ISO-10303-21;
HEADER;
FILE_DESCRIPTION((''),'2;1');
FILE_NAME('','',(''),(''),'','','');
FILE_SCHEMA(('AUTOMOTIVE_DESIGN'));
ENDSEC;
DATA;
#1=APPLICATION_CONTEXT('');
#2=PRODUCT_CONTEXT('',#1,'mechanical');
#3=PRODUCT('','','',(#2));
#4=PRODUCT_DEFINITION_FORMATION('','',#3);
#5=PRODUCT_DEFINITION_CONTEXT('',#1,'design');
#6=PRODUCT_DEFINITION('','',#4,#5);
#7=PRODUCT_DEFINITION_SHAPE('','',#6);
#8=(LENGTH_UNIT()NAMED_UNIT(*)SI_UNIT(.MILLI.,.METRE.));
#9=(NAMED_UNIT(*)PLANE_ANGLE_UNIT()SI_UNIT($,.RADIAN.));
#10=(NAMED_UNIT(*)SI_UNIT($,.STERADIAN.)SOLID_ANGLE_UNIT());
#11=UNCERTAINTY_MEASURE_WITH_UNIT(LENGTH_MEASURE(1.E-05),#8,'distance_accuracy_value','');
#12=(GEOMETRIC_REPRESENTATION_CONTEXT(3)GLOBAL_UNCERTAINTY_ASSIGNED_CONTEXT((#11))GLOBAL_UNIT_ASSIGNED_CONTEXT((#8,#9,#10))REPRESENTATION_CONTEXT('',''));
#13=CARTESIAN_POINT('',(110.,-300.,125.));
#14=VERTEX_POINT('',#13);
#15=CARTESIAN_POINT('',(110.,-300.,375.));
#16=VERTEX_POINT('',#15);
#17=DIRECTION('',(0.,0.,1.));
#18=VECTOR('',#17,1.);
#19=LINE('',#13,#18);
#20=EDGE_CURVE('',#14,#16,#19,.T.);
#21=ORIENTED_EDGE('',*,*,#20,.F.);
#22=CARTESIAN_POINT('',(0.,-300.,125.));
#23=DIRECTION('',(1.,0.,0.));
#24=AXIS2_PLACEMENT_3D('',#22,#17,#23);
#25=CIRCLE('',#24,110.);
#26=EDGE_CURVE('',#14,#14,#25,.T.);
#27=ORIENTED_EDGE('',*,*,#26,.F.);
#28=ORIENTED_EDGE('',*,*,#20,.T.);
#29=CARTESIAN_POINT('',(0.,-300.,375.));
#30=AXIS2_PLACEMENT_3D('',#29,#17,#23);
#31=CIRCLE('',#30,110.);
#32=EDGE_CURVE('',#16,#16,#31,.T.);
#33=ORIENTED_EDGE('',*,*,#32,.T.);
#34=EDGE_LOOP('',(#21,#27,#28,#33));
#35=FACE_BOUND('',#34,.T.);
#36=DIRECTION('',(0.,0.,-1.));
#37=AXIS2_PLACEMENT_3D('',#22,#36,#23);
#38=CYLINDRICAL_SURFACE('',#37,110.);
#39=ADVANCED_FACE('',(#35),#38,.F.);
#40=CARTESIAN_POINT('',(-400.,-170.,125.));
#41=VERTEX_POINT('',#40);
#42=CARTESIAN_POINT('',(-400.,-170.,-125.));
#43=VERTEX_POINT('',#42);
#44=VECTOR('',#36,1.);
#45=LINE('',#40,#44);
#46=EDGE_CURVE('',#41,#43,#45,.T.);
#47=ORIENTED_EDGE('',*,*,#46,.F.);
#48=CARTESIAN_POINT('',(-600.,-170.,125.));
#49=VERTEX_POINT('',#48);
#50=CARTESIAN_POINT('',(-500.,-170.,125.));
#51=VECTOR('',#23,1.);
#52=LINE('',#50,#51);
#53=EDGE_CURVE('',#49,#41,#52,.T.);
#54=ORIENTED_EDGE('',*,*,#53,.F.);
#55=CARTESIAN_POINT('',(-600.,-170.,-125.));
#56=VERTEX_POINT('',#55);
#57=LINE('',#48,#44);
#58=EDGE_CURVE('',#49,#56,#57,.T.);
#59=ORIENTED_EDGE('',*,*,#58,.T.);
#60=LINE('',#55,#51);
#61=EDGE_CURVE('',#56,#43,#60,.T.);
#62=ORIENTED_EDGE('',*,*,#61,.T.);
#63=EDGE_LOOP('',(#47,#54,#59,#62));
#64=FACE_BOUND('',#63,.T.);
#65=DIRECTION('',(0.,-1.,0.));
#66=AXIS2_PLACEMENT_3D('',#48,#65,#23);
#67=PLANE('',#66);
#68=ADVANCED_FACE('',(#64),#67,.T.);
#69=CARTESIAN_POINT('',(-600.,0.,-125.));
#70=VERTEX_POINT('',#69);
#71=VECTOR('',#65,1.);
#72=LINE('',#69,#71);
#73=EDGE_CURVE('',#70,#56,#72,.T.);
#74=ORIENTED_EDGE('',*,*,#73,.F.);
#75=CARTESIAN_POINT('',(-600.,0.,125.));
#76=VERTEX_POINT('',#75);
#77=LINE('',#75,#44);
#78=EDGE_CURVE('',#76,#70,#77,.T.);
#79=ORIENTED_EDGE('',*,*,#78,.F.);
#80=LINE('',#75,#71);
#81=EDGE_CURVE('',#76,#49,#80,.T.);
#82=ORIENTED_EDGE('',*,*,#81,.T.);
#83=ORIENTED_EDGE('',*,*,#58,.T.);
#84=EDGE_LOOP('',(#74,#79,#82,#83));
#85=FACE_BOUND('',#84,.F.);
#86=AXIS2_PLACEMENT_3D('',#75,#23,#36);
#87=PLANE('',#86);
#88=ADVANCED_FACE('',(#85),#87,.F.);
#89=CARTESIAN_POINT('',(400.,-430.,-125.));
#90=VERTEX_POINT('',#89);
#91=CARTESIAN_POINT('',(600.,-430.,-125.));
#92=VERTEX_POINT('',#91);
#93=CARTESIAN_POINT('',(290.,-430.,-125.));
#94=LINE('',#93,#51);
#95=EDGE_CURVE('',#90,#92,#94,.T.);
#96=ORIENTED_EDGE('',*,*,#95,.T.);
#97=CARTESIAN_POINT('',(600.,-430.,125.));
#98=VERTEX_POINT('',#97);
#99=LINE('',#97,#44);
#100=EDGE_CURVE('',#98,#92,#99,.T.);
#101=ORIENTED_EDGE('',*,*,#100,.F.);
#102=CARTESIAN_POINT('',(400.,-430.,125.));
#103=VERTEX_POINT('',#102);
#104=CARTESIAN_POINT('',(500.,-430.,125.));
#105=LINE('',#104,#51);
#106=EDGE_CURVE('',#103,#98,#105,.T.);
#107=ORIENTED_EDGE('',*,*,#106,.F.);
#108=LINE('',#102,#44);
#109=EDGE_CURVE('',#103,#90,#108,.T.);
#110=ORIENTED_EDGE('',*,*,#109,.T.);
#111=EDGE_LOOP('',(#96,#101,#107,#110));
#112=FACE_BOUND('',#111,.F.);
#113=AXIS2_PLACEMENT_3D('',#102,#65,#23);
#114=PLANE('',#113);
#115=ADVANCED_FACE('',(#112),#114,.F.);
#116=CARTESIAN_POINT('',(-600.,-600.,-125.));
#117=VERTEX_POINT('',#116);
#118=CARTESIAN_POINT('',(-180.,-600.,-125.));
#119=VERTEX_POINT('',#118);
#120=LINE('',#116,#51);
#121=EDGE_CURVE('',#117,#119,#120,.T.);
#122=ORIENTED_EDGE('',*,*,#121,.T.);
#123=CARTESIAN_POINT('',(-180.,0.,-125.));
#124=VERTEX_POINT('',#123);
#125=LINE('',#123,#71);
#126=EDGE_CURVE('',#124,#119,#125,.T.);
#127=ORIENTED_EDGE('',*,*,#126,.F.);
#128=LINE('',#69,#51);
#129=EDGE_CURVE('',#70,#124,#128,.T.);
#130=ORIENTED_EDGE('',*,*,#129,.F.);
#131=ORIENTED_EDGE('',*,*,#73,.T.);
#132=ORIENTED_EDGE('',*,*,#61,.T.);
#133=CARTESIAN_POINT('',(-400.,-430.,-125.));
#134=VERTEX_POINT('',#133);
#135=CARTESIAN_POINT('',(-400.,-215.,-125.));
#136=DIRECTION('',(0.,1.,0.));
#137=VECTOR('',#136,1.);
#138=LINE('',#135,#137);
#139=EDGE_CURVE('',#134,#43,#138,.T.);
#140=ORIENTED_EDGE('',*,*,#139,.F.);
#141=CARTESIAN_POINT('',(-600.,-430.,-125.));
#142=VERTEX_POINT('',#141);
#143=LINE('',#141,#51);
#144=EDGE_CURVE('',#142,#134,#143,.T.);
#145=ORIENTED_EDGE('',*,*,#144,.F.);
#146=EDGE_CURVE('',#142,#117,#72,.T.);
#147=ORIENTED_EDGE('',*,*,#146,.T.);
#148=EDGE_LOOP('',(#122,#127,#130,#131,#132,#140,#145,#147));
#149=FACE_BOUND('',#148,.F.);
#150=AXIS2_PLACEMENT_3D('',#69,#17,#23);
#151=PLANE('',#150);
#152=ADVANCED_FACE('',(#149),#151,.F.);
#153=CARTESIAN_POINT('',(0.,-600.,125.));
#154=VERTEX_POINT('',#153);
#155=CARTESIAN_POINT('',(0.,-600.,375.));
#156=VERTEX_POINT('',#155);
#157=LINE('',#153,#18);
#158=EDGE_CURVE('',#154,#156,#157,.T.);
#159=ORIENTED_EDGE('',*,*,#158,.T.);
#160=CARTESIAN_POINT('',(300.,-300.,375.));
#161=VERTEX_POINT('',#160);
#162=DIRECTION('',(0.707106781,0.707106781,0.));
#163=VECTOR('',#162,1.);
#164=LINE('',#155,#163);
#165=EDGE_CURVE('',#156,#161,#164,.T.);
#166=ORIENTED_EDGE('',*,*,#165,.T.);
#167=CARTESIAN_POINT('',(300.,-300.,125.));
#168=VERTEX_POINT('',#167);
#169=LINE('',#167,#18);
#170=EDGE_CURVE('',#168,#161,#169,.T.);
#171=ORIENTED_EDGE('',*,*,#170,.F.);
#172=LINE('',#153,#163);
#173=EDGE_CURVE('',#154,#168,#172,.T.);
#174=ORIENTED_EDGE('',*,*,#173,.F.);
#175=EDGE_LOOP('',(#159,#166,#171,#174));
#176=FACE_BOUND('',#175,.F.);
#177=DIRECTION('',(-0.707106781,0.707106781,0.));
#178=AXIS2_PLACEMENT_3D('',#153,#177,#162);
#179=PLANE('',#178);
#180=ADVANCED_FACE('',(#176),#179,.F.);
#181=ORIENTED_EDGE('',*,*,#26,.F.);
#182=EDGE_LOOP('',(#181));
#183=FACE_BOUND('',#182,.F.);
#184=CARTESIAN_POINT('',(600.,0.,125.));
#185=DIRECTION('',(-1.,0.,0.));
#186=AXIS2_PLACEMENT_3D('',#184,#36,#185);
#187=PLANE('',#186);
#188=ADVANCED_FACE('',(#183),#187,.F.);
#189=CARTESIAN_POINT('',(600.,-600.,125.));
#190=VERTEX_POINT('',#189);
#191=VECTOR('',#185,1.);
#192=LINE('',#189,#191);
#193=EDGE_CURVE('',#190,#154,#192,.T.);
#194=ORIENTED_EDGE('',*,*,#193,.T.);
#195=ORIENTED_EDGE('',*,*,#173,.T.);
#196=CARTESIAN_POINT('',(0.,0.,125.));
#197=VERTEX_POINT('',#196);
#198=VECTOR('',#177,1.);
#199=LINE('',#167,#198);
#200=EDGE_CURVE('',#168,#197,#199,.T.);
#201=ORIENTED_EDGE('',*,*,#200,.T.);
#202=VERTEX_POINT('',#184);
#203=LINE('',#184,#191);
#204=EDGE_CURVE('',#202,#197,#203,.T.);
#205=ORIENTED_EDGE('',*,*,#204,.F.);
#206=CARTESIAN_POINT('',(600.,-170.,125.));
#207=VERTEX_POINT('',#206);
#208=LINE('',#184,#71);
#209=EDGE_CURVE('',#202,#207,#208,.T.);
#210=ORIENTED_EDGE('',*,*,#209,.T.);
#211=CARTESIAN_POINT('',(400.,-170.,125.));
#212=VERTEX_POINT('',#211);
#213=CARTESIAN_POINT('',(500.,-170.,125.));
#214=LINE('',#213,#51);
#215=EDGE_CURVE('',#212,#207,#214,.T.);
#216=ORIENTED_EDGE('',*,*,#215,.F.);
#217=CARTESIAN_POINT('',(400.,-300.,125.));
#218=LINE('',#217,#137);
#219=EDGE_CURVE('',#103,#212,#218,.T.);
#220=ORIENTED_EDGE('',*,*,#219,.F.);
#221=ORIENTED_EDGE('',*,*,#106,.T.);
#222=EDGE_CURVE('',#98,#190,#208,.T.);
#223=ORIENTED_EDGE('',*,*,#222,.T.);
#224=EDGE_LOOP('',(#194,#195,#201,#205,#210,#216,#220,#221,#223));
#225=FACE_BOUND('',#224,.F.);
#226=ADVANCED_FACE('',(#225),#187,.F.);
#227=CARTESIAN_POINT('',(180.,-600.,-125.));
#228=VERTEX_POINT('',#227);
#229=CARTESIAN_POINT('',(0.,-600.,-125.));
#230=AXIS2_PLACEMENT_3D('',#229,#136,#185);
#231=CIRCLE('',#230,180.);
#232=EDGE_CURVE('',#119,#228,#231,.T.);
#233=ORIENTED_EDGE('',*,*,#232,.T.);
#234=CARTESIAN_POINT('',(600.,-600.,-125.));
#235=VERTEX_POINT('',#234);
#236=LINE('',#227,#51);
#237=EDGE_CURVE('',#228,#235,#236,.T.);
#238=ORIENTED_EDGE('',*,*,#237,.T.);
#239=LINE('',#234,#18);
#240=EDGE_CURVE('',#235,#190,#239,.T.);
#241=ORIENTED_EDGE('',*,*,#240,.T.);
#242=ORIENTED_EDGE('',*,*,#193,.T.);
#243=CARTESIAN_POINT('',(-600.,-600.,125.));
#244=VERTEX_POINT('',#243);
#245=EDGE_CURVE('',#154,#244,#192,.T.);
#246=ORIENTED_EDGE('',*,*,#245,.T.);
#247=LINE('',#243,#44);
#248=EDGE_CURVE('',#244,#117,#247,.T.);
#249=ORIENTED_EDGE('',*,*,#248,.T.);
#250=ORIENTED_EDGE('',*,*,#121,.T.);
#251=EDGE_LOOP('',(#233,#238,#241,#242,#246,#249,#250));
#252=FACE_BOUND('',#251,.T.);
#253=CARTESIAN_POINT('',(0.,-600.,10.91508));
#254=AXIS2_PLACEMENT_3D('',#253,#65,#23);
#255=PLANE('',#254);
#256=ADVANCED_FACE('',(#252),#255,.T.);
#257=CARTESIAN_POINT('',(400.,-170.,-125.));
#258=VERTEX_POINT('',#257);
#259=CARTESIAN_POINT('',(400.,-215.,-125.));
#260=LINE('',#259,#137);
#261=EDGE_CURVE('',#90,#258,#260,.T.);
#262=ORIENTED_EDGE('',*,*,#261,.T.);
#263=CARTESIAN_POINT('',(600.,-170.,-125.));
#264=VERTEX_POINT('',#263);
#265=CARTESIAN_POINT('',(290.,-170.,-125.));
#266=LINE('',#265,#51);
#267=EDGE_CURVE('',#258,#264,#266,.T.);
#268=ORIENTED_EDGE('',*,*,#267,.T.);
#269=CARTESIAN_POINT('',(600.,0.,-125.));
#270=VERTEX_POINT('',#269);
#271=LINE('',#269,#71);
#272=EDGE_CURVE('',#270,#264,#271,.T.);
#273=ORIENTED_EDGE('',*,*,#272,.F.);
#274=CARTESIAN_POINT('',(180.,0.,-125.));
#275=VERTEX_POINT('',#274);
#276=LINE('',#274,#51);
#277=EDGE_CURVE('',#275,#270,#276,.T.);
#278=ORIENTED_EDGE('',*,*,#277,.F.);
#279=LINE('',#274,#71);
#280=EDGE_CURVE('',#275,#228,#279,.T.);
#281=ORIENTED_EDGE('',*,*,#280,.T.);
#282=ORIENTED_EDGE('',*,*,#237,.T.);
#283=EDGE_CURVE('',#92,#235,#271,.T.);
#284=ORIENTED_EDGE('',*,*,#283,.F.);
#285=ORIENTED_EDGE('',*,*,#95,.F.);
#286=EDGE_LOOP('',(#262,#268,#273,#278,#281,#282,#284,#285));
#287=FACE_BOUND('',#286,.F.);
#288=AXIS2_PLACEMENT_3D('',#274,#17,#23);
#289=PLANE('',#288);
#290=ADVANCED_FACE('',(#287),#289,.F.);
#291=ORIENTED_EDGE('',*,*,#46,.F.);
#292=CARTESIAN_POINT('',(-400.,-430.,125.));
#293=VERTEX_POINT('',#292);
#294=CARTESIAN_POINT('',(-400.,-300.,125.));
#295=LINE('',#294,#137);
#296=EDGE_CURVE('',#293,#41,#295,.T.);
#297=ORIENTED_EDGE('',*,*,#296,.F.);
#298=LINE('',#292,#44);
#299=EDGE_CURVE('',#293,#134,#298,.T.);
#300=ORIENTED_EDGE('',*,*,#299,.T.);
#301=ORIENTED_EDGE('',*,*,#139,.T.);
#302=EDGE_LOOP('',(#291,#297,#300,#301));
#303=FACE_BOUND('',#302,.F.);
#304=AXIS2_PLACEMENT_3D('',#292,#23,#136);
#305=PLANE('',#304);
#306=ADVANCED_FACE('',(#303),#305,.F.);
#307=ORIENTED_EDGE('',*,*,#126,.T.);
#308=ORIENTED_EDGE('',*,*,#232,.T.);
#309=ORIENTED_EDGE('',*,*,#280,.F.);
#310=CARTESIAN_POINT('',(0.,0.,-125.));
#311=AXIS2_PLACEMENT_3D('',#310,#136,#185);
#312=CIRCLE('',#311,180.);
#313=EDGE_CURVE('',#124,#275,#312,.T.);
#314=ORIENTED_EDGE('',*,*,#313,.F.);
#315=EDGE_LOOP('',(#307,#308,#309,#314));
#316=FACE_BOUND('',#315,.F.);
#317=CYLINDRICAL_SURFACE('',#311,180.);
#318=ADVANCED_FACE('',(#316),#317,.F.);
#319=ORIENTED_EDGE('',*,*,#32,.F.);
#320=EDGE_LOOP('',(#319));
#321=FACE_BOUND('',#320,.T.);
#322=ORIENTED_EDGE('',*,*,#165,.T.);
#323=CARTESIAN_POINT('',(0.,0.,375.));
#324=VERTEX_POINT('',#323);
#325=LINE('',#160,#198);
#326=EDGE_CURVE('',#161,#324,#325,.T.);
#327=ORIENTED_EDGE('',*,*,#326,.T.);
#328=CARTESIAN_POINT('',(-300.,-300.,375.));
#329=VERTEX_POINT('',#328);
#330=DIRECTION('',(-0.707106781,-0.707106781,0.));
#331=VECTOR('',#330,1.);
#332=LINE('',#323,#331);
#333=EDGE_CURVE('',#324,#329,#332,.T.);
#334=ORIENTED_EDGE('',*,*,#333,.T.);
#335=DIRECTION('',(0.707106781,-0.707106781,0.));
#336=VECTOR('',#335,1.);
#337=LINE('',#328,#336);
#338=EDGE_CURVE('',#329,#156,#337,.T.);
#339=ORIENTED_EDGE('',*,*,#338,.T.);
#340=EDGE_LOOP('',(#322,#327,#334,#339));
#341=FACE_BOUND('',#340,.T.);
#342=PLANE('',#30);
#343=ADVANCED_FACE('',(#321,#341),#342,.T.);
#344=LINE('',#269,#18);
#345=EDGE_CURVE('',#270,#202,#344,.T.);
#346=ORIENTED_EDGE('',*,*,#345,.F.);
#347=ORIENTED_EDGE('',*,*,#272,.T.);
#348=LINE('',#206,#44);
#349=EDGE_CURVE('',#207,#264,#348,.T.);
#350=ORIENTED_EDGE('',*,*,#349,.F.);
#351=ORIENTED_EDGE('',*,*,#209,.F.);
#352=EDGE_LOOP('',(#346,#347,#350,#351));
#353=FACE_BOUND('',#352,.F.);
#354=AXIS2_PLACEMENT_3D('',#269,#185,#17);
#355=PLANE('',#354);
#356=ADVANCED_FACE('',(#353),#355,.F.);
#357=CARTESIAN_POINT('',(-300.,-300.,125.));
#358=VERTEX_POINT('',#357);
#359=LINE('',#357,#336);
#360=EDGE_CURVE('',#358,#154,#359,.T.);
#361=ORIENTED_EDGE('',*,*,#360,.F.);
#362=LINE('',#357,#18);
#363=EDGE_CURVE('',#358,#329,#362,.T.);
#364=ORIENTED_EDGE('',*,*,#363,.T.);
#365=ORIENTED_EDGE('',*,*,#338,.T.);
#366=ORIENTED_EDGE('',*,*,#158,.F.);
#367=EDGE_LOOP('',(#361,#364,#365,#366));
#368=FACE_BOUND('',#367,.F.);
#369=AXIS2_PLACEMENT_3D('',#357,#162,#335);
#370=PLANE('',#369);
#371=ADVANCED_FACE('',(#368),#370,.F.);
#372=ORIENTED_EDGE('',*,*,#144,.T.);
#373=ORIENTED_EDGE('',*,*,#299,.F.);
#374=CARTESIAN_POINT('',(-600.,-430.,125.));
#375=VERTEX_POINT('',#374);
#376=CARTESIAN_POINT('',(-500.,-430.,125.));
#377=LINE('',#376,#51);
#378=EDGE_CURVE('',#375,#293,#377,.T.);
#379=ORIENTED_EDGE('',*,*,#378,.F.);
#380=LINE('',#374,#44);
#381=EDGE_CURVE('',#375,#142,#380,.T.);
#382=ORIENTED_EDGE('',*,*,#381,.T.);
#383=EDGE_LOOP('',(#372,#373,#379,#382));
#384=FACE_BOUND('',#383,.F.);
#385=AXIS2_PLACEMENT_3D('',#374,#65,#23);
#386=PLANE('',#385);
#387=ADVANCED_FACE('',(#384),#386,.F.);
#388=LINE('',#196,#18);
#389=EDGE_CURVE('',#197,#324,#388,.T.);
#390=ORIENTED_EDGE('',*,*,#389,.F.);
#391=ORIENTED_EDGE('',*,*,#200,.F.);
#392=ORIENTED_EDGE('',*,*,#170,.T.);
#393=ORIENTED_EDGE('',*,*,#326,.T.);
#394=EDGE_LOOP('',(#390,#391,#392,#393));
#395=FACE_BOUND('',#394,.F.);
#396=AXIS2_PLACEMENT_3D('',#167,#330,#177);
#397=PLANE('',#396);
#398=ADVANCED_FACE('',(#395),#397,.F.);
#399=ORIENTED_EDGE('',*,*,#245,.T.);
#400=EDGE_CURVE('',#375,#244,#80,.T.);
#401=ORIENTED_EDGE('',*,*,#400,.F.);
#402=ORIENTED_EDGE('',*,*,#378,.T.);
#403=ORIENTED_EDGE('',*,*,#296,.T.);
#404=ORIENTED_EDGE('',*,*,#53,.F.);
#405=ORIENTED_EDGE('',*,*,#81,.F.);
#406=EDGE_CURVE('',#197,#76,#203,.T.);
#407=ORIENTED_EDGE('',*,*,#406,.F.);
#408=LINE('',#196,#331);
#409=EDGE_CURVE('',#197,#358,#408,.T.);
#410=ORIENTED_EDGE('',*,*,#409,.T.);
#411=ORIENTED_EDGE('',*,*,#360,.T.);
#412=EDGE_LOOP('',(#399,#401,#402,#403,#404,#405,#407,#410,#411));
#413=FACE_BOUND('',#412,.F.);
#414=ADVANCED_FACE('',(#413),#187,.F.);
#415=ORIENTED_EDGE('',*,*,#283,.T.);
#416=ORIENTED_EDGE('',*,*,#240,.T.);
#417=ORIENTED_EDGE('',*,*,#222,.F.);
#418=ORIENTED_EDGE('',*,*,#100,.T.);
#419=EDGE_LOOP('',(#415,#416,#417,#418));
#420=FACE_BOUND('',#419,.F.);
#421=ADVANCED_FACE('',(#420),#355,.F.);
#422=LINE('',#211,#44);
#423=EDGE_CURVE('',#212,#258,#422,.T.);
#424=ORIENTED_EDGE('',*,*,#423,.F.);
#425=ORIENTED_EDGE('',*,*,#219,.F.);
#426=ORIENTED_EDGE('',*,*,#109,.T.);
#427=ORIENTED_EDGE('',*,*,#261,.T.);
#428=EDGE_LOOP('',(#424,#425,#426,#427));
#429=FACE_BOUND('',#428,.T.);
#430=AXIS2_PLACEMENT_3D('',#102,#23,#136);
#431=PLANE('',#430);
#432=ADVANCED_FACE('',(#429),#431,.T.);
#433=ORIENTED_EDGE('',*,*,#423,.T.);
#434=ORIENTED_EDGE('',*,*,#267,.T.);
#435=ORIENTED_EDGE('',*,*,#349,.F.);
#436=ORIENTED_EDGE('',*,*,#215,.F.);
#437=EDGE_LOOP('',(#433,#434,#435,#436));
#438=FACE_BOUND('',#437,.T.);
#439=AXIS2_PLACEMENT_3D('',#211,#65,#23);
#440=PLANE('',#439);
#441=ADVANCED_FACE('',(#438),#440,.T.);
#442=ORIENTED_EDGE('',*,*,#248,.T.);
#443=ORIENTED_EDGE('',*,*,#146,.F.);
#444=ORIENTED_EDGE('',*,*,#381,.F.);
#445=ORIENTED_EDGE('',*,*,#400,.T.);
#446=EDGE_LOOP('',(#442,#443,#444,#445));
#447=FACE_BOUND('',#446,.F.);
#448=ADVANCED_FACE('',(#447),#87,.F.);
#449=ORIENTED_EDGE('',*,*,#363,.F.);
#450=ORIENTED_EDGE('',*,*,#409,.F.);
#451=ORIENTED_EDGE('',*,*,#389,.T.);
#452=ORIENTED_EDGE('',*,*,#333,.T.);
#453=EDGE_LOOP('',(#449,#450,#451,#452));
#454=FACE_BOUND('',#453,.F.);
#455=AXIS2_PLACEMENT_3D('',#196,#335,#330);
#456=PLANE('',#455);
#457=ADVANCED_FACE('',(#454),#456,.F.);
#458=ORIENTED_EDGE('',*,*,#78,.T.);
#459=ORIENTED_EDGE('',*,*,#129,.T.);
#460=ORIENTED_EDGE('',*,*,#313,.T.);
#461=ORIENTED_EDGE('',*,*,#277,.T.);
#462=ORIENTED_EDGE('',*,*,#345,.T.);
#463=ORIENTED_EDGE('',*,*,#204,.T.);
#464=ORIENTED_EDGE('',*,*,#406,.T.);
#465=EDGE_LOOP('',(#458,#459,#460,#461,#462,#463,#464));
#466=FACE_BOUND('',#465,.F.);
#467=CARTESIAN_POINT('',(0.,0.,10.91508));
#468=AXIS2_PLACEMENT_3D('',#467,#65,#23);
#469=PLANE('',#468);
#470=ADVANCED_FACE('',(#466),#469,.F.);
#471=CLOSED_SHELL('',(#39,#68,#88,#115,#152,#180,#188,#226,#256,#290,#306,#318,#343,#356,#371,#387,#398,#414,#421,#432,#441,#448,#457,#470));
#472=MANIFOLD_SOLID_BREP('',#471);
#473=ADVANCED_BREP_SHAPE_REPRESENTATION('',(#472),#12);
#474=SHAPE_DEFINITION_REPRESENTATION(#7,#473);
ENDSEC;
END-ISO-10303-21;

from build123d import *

# Parameters (mm, degrees)
F1_DEPTH = 600
F2_W     = 200
F2_H     = 260
F3_DEPTH = 250.001
F4_R     = 110
F5_DEPTH = 250


with BuildPart() as f1:
    # F0 (on Front) → F1 (new body)
    with BuildSketch(Plane.XZ):
        with BuildLine():
            Line((600, 125), (-600, 125))
            Line((-600, 125), (-600, -125))
            Line((-600, -125), (-180, -125))
            ThreePointArc((-180, -125), (0, 55), (180, -125))
            Line((180, -125), (600, -125))
            Line((600, -125), (600, 125))
        make_face()
    extrude(amount=F1_DEPTH)

    # F2 (on face) → F3 (cut, through all)
    with BuildSketch(Plane.XY.offset(125)):
        with Locations((-500, -300)):
            Rectangle(F2_W, F2_H)
        with Locations((500, -300)):
            Rectangle(F2_W, F2_H)
    extrude(amount=-F3_DEPTH, mode=Mode.SUBTRACT)

    # F4 (on face) → F5 (join)
    with BuildSketch(Plane.XY.offset(125)):
        Polygon((300, -300), (0, 0), (-300, -300), (0, -600), align=None)
        with Locations((0, -300)):
            Circle(F4_R, mode=Mode.SUBTRACT)
    extrude(amount=F5_DEPTH)


solid = f1.part
